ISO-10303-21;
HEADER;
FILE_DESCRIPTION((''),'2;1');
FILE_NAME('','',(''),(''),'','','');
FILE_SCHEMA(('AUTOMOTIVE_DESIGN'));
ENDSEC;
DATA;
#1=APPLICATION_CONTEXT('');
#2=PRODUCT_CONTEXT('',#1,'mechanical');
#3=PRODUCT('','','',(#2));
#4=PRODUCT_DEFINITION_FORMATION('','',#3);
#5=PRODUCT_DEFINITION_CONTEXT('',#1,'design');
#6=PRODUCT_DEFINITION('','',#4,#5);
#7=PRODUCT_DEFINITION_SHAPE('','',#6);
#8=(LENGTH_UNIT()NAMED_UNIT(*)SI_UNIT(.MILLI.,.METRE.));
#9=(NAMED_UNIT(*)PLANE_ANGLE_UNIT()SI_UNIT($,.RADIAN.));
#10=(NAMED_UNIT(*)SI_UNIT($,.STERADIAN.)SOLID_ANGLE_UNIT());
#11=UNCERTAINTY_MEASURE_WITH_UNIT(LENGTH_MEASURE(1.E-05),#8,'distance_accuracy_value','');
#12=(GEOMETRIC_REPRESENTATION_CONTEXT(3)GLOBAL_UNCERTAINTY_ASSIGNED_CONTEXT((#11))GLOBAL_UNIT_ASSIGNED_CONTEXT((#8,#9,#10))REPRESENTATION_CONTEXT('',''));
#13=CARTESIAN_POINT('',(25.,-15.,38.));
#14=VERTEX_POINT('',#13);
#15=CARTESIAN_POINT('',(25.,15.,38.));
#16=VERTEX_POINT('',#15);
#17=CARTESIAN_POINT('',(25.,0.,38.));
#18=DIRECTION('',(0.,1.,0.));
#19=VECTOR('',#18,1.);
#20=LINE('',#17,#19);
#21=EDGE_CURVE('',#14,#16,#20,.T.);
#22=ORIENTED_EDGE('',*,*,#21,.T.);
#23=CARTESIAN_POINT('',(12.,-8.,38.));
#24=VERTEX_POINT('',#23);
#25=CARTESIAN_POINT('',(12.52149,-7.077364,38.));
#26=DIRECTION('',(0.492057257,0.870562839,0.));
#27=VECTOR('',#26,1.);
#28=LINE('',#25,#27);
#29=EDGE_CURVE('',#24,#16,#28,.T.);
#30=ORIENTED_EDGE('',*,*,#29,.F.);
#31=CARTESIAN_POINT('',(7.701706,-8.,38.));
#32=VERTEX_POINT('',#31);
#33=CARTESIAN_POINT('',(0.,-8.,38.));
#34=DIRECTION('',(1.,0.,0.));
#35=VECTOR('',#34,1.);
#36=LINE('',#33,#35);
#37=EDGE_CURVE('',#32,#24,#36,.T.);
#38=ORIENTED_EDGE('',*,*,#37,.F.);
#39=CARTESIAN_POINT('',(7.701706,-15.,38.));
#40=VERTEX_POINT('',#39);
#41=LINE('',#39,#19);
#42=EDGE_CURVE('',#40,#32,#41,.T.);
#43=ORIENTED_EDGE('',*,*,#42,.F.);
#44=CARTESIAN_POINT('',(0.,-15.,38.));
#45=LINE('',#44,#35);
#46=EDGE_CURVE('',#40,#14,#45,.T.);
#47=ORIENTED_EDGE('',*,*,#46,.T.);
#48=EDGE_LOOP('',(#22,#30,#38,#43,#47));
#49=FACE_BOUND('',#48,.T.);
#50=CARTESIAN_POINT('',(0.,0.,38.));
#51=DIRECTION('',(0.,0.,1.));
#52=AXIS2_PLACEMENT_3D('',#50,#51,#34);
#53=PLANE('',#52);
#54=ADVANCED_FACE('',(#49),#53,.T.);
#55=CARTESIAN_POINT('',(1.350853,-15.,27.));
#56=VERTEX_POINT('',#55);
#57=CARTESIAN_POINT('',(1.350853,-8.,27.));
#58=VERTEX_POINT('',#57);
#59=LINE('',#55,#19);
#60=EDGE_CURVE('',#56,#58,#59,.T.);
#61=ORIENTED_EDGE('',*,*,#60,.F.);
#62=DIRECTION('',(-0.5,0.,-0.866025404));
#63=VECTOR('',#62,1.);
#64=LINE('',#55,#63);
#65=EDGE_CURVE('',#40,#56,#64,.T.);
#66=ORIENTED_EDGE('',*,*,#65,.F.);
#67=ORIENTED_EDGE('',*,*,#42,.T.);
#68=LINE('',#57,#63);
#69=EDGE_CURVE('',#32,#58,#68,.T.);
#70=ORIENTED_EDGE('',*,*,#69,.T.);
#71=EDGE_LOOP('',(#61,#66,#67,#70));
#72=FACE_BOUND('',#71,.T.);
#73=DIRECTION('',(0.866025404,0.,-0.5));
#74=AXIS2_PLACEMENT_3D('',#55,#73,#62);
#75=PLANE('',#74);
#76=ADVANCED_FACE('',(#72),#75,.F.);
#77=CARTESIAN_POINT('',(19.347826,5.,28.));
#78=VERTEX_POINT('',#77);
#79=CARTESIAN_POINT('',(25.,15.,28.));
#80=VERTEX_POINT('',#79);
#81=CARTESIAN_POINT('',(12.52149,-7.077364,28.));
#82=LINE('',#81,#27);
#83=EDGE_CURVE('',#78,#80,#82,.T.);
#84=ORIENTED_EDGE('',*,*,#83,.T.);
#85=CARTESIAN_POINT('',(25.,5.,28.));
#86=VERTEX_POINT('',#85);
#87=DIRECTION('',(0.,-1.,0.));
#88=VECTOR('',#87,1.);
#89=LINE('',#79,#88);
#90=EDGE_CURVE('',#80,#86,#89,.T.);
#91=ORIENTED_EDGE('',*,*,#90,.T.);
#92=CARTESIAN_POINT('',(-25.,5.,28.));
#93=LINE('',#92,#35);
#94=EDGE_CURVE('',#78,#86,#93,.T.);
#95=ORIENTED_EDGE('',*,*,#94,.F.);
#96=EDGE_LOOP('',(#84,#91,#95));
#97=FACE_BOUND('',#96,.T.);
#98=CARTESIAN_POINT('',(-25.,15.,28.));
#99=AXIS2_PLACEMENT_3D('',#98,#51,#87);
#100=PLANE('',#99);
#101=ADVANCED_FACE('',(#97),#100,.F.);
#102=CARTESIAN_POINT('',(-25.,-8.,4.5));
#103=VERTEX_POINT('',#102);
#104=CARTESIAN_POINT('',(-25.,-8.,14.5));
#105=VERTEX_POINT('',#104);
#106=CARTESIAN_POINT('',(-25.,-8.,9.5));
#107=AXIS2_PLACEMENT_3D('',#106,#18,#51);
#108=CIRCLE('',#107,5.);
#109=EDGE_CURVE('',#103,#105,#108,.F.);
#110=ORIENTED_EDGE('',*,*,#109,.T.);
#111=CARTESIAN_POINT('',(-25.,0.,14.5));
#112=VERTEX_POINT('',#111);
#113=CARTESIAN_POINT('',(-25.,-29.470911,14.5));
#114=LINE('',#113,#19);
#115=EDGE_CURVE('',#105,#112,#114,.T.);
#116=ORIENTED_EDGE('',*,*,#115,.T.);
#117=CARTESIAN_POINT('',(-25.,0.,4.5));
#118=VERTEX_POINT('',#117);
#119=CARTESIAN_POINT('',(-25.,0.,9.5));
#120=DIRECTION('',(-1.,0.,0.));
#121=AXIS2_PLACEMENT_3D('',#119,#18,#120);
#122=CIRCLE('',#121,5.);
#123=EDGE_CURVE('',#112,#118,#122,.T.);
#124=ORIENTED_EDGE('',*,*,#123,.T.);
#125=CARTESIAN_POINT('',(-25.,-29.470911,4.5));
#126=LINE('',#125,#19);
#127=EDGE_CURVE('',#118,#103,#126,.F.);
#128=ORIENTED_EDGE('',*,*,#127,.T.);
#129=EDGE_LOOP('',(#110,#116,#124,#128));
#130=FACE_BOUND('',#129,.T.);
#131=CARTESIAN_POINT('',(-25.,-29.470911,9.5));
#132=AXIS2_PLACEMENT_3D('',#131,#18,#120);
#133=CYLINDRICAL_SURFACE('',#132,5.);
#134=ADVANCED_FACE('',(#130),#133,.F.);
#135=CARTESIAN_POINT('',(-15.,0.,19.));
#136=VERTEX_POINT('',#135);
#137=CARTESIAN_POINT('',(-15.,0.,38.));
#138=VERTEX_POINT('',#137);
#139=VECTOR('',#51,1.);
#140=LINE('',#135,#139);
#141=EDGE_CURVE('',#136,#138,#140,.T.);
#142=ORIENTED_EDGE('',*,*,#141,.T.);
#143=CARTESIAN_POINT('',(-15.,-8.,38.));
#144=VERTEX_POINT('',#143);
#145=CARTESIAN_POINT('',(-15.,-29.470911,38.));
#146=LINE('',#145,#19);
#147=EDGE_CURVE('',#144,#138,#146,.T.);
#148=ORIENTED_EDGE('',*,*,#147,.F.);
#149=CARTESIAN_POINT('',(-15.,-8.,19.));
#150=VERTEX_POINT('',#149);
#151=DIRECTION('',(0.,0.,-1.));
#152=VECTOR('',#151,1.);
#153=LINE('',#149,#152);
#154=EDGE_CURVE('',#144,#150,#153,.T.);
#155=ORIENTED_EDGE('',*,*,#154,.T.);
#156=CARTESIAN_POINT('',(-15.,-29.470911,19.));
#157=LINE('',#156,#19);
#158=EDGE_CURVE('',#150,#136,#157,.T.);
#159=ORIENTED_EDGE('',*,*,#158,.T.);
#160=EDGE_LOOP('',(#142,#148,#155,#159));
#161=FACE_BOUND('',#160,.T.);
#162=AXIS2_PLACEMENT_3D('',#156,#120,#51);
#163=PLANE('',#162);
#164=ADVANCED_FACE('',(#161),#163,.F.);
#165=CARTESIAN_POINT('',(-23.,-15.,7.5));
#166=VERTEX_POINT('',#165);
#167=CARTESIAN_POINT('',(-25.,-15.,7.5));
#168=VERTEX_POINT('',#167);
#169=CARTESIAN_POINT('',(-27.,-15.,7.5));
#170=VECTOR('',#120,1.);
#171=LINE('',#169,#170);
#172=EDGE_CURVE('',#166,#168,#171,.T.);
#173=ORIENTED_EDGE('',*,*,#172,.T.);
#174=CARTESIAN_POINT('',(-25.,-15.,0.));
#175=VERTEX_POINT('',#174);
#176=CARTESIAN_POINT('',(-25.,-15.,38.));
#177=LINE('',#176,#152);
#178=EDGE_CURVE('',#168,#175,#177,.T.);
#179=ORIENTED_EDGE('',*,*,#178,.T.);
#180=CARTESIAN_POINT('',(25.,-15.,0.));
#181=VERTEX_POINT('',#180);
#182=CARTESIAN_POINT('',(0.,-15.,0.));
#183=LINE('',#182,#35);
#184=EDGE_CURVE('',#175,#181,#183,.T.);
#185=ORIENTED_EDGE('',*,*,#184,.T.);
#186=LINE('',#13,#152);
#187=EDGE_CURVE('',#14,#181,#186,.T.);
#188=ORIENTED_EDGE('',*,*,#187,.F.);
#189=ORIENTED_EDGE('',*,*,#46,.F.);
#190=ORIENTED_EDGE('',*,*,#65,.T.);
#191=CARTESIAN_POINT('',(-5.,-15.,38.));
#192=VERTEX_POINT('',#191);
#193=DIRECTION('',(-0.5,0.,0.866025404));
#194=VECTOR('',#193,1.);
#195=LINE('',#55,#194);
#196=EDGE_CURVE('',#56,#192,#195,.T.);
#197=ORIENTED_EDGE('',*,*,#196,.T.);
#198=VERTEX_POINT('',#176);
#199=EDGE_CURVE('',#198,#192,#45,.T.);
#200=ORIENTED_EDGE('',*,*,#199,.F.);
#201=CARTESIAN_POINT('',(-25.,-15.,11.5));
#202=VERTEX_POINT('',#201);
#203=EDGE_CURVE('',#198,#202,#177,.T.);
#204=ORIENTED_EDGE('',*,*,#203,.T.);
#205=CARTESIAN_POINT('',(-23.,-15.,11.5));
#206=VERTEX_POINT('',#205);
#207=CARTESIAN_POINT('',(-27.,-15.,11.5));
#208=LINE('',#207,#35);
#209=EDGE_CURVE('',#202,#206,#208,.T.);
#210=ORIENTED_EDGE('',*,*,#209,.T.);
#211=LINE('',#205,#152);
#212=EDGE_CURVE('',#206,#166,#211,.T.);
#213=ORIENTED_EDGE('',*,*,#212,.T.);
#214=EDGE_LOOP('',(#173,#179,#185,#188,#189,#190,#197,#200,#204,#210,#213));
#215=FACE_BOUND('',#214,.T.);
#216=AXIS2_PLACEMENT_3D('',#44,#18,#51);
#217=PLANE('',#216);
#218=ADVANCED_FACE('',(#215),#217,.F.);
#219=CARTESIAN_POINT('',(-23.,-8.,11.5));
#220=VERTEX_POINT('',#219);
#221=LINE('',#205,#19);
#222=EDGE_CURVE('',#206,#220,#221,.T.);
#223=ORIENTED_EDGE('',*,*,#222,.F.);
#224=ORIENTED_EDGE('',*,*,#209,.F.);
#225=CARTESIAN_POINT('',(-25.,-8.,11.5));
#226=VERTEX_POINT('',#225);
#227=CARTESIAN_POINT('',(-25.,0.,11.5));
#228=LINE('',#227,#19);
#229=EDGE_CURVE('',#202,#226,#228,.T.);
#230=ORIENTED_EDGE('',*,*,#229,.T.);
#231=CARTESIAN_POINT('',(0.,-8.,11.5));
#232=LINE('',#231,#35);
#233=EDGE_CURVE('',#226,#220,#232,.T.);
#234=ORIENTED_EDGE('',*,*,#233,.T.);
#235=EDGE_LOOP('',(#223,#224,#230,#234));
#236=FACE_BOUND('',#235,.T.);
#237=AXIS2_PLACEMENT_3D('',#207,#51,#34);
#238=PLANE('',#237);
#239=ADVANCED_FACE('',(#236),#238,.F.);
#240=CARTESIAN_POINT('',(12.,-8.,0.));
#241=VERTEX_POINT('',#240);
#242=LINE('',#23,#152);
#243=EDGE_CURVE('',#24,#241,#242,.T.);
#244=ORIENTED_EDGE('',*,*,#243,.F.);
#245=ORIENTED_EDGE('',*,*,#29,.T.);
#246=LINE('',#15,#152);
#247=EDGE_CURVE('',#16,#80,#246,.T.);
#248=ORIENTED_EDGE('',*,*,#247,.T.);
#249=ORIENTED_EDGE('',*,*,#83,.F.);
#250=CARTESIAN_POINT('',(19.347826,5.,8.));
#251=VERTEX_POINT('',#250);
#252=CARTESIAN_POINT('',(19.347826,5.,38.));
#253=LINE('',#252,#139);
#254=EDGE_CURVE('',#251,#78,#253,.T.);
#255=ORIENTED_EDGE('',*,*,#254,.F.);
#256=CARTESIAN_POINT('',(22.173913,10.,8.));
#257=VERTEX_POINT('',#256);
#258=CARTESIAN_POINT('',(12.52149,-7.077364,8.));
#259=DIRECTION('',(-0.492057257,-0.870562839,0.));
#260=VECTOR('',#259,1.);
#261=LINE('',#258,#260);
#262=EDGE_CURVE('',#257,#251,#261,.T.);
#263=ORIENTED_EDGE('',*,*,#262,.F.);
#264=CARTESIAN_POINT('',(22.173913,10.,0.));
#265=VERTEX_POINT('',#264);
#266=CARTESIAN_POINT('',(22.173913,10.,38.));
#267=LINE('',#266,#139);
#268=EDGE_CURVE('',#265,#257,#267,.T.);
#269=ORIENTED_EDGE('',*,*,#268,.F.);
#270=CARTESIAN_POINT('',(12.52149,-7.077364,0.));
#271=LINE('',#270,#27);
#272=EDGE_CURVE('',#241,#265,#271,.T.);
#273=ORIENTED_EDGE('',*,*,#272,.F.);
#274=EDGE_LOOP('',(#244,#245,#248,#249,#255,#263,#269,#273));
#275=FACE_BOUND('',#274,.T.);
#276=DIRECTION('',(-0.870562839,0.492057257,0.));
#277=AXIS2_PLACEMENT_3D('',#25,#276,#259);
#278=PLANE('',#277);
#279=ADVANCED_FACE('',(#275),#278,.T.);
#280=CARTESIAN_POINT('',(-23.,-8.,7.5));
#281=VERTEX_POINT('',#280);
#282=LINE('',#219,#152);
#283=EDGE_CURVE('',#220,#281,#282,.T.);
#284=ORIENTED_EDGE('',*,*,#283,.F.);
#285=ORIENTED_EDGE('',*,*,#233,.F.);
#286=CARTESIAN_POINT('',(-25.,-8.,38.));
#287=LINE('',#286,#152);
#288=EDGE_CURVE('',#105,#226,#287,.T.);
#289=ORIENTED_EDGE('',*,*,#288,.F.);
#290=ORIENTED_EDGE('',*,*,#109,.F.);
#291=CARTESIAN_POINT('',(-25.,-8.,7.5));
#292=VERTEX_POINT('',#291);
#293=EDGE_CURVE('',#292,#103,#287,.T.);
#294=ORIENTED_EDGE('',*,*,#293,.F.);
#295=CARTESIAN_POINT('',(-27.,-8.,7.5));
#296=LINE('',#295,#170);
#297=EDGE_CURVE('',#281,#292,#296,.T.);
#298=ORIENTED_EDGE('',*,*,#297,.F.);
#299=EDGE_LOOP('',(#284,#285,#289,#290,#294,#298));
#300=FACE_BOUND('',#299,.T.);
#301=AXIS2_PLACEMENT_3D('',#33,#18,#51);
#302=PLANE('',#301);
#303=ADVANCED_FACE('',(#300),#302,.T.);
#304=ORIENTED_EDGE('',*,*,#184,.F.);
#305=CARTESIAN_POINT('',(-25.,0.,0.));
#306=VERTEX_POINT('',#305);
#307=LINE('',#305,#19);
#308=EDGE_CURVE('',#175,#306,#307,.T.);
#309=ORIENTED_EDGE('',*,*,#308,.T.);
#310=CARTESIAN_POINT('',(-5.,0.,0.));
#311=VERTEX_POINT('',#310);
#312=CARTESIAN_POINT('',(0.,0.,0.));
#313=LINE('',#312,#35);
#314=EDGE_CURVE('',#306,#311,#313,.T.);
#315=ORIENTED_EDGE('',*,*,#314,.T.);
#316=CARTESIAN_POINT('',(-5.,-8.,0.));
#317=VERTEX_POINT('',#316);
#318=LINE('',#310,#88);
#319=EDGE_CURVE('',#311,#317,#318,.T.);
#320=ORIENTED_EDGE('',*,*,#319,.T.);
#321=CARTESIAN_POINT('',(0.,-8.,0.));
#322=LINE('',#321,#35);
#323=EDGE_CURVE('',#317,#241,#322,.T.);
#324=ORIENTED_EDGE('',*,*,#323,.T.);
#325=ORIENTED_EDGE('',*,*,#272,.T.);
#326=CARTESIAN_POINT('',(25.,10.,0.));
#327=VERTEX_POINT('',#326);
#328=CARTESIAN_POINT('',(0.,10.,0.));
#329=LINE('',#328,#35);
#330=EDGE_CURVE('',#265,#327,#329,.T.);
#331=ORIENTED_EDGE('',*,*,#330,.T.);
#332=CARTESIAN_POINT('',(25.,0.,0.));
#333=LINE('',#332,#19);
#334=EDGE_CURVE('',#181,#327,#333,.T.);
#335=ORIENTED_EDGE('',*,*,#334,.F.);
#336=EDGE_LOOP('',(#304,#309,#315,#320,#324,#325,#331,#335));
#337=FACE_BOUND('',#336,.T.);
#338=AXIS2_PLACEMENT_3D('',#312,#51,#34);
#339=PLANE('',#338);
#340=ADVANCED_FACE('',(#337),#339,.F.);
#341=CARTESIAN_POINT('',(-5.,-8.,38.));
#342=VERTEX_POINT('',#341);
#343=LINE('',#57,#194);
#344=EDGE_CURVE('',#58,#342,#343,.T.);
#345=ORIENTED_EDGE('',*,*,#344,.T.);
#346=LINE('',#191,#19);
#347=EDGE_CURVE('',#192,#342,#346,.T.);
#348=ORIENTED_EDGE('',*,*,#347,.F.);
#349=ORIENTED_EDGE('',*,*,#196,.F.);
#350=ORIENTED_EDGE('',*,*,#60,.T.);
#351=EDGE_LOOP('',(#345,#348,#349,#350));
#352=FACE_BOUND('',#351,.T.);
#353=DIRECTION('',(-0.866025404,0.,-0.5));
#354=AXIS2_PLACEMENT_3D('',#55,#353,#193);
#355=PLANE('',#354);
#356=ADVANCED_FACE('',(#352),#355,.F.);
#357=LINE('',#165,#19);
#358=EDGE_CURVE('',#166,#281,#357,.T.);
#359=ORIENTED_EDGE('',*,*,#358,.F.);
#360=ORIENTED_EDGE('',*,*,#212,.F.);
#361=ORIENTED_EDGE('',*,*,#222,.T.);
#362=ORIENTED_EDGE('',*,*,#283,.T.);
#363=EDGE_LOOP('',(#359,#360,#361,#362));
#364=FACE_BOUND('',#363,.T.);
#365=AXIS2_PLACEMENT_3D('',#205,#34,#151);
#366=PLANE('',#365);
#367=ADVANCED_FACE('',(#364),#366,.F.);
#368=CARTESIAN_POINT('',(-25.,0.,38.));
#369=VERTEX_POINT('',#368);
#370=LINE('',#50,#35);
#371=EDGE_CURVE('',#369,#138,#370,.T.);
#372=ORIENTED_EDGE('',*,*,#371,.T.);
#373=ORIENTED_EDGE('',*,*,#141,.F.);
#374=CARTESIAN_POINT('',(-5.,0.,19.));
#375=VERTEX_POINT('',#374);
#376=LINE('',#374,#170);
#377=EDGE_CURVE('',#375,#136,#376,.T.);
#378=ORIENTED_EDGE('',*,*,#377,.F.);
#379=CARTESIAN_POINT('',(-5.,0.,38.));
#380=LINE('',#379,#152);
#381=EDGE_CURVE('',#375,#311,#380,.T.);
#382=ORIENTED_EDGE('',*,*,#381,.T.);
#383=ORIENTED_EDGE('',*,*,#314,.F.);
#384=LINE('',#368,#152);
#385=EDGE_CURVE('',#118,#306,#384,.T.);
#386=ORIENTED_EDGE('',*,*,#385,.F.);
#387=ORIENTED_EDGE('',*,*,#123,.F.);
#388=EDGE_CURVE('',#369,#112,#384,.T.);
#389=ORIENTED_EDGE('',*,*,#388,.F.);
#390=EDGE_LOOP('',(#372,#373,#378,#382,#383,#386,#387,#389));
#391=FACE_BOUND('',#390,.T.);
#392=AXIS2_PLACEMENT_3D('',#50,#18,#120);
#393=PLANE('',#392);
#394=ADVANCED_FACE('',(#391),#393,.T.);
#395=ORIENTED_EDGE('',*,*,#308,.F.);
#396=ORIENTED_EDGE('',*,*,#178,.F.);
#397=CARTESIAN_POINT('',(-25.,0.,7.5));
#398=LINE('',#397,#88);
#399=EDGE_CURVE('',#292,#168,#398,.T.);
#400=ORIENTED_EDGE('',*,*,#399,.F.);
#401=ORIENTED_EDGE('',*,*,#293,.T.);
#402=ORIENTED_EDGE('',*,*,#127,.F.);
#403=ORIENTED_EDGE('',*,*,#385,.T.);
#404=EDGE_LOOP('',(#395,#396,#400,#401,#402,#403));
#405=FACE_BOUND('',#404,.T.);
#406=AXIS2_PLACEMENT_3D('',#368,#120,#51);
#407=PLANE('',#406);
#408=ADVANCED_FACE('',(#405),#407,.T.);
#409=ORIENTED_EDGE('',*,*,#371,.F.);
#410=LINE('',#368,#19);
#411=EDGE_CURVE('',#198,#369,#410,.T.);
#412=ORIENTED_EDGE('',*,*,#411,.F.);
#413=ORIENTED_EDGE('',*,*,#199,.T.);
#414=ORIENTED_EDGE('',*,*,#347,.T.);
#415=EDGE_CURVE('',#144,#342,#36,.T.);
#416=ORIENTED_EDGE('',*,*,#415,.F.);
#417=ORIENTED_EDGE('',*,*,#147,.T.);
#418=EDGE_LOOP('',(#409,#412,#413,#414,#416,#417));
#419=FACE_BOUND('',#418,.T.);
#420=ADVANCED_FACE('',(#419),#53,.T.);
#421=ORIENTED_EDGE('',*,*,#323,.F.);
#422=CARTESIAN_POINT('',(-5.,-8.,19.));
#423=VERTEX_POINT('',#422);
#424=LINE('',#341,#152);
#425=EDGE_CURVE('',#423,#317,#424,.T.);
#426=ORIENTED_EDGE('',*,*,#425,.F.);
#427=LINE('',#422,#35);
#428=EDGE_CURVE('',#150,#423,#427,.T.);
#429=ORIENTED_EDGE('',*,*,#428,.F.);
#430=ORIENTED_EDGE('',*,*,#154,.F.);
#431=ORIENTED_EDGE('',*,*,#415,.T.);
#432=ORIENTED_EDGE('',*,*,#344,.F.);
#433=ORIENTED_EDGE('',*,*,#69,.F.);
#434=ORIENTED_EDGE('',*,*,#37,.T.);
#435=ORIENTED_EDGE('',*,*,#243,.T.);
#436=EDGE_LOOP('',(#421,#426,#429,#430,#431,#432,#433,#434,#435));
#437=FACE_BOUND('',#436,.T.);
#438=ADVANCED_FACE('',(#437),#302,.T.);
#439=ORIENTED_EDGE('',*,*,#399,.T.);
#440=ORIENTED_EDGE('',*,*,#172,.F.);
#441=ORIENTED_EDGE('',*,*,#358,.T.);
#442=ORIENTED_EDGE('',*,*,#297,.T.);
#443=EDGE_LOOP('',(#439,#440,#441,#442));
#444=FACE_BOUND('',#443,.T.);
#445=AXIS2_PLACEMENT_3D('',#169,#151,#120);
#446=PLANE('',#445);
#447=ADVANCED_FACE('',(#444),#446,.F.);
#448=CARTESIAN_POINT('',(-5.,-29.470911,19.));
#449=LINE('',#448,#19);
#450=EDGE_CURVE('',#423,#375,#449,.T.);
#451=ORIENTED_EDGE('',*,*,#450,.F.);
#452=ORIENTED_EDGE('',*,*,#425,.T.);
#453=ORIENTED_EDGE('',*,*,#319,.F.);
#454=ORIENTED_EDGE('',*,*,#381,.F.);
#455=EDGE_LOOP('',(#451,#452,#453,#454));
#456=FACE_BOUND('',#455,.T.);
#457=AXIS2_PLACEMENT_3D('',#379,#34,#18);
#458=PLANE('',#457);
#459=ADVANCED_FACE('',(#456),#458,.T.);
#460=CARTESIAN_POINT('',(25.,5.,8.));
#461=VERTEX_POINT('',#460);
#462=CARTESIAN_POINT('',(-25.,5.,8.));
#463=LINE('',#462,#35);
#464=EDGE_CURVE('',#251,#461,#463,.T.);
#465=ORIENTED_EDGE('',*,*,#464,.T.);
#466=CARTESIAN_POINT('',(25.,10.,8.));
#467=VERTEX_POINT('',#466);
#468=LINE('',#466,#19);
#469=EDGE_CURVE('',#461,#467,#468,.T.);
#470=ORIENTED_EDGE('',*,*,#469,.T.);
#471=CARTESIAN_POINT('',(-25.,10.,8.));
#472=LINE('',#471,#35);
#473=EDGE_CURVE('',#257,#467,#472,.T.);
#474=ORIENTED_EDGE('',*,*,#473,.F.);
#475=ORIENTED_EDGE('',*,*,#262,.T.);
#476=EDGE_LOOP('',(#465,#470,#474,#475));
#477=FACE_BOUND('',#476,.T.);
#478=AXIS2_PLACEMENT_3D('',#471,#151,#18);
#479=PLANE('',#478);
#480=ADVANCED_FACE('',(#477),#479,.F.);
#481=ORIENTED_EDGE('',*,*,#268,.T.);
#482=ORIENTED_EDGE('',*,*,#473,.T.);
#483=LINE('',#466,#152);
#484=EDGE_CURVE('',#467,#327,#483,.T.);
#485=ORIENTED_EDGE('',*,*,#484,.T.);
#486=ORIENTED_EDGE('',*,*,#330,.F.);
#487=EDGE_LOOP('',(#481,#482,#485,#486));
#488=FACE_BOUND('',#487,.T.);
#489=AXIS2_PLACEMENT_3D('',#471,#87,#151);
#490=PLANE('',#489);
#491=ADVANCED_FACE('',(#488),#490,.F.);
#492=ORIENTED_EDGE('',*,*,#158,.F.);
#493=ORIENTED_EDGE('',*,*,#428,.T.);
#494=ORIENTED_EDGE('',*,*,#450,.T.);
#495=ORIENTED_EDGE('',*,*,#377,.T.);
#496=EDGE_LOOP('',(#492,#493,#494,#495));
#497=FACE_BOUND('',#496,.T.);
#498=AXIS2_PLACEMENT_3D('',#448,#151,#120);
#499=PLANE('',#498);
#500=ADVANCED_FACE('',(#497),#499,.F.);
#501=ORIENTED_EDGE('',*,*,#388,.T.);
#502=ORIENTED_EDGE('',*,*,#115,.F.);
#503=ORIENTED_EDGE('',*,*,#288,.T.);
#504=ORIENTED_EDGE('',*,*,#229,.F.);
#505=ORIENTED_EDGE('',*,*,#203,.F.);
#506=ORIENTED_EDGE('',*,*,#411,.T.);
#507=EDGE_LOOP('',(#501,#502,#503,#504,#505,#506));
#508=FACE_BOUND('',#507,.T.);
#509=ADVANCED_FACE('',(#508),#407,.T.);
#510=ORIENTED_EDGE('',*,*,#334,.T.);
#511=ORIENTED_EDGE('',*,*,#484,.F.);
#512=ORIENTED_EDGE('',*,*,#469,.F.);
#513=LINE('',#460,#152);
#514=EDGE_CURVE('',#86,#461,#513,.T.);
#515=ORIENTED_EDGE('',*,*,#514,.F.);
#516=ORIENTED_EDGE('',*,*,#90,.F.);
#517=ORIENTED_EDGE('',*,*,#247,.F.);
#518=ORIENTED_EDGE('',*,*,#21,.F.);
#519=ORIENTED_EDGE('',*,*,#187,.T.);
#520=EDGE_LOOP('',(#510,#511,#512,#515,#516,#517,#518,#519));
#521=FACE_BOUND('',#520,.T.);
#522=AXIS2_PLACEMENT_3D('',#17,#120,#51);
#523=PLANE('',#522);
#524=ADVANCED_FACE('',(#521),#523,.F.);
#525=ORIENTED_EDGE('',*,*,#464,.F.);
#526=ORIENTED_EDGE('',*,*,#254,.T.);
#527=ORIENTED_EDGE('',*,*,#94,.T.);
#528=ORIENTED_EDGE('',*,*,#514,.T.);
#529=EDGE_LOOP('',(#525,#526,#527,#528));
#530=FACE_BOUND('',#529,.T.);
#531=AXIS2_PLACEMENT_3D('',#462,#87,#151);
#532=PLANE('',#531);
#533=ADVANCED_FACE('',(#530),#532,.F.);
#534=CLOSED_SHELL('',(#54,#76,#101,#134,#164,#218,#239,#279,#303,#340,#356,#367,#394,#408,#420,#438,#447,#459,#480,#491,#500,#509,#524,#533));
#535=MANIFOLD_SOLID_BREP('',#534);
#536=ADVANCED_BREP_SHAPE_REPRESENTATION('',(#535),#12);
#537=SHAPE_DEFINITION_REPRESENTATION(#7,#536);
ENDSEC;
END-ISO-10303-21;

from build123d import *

# Parameters (mm, degrees)
EXTRUDE_1_DEPTH     = 38
SKETCH_2_R          = 5
SKETCH_2_W          = 10
SKETCH_2_H          = 19
CUT_EXTRUDE_1_DEPTH = 8
SKETCH_3_W          = 4
SKETCH_3_H          = 4
CUT_EXTRUDE_2_DEPTH = 51.970579749
CUT_EXTRUDE_3_DEPTH = 65.567793829


with BuildPart() as part:
    # Эскиз1 → Бобышка-Вытянуть1 (new body)
    with BuildSketch(Plane.XY):
        Polygon((-5, 0), (-25, 0), (-25, -15), (25, -15), (25, 15), (12, -8), (-5, -8), align=None)
    extrude(amount=EXTRUDE_1_DEPTH)

    # Эскиз2 → Вырез-Вытянуть1 (cut)
    with BuildSketch(Plane(origin=(0, 0, 0), x_dir=(1, 0, 0), z_dir=(0, 1, 0))):
        with Locations((-25, -9.5)):
            Circle(SKETCH_2_R)
        with Locations((-10, -28.5)):
            Rectangle(SKETCH_2_W, SKETCH_2_H)
    extrude(amount=-CUT_EXTRUDE_1_DEPTH, mode=Mode.SUBTRACT)

    # Эскиз3 → Вырез-Вытянуть2 (cut, through all)
    with BuildSketch(Plane(origin=(0, -8, 0), x_dir=(1, 0, 0), z_dir=(0, 1, 0))):
        with Locations((-25, -9.5)):
            Rectangle(SKETCH_3_W, SKETCH_3_H)
        Polygon((1.350852961, -27), (7.701705922, -38), (-5, -38), align=None)
    extrude(amount=-CUT_EXTRUDE_2_DEPTH, mode=Mode.SUBTRACT)

    # Эскиз4 → Вырез-Вытянуть3 (cut, through all)
    with BuildSketch(Plane(origin=(25, 0, 0), x_dir=(0, 0, -1), z_dir=(1, 0, 0))):
        Polygon((-8, 15), (-28, 15), (-28, 5), (-8, 5), (-8, 10), (0, 10), (0, 15), align=None)
    extrude(amount=-CUT_EXTRUDE_3_DEPTH, mode=Mode.SUBTRACT)


solid = part.part
